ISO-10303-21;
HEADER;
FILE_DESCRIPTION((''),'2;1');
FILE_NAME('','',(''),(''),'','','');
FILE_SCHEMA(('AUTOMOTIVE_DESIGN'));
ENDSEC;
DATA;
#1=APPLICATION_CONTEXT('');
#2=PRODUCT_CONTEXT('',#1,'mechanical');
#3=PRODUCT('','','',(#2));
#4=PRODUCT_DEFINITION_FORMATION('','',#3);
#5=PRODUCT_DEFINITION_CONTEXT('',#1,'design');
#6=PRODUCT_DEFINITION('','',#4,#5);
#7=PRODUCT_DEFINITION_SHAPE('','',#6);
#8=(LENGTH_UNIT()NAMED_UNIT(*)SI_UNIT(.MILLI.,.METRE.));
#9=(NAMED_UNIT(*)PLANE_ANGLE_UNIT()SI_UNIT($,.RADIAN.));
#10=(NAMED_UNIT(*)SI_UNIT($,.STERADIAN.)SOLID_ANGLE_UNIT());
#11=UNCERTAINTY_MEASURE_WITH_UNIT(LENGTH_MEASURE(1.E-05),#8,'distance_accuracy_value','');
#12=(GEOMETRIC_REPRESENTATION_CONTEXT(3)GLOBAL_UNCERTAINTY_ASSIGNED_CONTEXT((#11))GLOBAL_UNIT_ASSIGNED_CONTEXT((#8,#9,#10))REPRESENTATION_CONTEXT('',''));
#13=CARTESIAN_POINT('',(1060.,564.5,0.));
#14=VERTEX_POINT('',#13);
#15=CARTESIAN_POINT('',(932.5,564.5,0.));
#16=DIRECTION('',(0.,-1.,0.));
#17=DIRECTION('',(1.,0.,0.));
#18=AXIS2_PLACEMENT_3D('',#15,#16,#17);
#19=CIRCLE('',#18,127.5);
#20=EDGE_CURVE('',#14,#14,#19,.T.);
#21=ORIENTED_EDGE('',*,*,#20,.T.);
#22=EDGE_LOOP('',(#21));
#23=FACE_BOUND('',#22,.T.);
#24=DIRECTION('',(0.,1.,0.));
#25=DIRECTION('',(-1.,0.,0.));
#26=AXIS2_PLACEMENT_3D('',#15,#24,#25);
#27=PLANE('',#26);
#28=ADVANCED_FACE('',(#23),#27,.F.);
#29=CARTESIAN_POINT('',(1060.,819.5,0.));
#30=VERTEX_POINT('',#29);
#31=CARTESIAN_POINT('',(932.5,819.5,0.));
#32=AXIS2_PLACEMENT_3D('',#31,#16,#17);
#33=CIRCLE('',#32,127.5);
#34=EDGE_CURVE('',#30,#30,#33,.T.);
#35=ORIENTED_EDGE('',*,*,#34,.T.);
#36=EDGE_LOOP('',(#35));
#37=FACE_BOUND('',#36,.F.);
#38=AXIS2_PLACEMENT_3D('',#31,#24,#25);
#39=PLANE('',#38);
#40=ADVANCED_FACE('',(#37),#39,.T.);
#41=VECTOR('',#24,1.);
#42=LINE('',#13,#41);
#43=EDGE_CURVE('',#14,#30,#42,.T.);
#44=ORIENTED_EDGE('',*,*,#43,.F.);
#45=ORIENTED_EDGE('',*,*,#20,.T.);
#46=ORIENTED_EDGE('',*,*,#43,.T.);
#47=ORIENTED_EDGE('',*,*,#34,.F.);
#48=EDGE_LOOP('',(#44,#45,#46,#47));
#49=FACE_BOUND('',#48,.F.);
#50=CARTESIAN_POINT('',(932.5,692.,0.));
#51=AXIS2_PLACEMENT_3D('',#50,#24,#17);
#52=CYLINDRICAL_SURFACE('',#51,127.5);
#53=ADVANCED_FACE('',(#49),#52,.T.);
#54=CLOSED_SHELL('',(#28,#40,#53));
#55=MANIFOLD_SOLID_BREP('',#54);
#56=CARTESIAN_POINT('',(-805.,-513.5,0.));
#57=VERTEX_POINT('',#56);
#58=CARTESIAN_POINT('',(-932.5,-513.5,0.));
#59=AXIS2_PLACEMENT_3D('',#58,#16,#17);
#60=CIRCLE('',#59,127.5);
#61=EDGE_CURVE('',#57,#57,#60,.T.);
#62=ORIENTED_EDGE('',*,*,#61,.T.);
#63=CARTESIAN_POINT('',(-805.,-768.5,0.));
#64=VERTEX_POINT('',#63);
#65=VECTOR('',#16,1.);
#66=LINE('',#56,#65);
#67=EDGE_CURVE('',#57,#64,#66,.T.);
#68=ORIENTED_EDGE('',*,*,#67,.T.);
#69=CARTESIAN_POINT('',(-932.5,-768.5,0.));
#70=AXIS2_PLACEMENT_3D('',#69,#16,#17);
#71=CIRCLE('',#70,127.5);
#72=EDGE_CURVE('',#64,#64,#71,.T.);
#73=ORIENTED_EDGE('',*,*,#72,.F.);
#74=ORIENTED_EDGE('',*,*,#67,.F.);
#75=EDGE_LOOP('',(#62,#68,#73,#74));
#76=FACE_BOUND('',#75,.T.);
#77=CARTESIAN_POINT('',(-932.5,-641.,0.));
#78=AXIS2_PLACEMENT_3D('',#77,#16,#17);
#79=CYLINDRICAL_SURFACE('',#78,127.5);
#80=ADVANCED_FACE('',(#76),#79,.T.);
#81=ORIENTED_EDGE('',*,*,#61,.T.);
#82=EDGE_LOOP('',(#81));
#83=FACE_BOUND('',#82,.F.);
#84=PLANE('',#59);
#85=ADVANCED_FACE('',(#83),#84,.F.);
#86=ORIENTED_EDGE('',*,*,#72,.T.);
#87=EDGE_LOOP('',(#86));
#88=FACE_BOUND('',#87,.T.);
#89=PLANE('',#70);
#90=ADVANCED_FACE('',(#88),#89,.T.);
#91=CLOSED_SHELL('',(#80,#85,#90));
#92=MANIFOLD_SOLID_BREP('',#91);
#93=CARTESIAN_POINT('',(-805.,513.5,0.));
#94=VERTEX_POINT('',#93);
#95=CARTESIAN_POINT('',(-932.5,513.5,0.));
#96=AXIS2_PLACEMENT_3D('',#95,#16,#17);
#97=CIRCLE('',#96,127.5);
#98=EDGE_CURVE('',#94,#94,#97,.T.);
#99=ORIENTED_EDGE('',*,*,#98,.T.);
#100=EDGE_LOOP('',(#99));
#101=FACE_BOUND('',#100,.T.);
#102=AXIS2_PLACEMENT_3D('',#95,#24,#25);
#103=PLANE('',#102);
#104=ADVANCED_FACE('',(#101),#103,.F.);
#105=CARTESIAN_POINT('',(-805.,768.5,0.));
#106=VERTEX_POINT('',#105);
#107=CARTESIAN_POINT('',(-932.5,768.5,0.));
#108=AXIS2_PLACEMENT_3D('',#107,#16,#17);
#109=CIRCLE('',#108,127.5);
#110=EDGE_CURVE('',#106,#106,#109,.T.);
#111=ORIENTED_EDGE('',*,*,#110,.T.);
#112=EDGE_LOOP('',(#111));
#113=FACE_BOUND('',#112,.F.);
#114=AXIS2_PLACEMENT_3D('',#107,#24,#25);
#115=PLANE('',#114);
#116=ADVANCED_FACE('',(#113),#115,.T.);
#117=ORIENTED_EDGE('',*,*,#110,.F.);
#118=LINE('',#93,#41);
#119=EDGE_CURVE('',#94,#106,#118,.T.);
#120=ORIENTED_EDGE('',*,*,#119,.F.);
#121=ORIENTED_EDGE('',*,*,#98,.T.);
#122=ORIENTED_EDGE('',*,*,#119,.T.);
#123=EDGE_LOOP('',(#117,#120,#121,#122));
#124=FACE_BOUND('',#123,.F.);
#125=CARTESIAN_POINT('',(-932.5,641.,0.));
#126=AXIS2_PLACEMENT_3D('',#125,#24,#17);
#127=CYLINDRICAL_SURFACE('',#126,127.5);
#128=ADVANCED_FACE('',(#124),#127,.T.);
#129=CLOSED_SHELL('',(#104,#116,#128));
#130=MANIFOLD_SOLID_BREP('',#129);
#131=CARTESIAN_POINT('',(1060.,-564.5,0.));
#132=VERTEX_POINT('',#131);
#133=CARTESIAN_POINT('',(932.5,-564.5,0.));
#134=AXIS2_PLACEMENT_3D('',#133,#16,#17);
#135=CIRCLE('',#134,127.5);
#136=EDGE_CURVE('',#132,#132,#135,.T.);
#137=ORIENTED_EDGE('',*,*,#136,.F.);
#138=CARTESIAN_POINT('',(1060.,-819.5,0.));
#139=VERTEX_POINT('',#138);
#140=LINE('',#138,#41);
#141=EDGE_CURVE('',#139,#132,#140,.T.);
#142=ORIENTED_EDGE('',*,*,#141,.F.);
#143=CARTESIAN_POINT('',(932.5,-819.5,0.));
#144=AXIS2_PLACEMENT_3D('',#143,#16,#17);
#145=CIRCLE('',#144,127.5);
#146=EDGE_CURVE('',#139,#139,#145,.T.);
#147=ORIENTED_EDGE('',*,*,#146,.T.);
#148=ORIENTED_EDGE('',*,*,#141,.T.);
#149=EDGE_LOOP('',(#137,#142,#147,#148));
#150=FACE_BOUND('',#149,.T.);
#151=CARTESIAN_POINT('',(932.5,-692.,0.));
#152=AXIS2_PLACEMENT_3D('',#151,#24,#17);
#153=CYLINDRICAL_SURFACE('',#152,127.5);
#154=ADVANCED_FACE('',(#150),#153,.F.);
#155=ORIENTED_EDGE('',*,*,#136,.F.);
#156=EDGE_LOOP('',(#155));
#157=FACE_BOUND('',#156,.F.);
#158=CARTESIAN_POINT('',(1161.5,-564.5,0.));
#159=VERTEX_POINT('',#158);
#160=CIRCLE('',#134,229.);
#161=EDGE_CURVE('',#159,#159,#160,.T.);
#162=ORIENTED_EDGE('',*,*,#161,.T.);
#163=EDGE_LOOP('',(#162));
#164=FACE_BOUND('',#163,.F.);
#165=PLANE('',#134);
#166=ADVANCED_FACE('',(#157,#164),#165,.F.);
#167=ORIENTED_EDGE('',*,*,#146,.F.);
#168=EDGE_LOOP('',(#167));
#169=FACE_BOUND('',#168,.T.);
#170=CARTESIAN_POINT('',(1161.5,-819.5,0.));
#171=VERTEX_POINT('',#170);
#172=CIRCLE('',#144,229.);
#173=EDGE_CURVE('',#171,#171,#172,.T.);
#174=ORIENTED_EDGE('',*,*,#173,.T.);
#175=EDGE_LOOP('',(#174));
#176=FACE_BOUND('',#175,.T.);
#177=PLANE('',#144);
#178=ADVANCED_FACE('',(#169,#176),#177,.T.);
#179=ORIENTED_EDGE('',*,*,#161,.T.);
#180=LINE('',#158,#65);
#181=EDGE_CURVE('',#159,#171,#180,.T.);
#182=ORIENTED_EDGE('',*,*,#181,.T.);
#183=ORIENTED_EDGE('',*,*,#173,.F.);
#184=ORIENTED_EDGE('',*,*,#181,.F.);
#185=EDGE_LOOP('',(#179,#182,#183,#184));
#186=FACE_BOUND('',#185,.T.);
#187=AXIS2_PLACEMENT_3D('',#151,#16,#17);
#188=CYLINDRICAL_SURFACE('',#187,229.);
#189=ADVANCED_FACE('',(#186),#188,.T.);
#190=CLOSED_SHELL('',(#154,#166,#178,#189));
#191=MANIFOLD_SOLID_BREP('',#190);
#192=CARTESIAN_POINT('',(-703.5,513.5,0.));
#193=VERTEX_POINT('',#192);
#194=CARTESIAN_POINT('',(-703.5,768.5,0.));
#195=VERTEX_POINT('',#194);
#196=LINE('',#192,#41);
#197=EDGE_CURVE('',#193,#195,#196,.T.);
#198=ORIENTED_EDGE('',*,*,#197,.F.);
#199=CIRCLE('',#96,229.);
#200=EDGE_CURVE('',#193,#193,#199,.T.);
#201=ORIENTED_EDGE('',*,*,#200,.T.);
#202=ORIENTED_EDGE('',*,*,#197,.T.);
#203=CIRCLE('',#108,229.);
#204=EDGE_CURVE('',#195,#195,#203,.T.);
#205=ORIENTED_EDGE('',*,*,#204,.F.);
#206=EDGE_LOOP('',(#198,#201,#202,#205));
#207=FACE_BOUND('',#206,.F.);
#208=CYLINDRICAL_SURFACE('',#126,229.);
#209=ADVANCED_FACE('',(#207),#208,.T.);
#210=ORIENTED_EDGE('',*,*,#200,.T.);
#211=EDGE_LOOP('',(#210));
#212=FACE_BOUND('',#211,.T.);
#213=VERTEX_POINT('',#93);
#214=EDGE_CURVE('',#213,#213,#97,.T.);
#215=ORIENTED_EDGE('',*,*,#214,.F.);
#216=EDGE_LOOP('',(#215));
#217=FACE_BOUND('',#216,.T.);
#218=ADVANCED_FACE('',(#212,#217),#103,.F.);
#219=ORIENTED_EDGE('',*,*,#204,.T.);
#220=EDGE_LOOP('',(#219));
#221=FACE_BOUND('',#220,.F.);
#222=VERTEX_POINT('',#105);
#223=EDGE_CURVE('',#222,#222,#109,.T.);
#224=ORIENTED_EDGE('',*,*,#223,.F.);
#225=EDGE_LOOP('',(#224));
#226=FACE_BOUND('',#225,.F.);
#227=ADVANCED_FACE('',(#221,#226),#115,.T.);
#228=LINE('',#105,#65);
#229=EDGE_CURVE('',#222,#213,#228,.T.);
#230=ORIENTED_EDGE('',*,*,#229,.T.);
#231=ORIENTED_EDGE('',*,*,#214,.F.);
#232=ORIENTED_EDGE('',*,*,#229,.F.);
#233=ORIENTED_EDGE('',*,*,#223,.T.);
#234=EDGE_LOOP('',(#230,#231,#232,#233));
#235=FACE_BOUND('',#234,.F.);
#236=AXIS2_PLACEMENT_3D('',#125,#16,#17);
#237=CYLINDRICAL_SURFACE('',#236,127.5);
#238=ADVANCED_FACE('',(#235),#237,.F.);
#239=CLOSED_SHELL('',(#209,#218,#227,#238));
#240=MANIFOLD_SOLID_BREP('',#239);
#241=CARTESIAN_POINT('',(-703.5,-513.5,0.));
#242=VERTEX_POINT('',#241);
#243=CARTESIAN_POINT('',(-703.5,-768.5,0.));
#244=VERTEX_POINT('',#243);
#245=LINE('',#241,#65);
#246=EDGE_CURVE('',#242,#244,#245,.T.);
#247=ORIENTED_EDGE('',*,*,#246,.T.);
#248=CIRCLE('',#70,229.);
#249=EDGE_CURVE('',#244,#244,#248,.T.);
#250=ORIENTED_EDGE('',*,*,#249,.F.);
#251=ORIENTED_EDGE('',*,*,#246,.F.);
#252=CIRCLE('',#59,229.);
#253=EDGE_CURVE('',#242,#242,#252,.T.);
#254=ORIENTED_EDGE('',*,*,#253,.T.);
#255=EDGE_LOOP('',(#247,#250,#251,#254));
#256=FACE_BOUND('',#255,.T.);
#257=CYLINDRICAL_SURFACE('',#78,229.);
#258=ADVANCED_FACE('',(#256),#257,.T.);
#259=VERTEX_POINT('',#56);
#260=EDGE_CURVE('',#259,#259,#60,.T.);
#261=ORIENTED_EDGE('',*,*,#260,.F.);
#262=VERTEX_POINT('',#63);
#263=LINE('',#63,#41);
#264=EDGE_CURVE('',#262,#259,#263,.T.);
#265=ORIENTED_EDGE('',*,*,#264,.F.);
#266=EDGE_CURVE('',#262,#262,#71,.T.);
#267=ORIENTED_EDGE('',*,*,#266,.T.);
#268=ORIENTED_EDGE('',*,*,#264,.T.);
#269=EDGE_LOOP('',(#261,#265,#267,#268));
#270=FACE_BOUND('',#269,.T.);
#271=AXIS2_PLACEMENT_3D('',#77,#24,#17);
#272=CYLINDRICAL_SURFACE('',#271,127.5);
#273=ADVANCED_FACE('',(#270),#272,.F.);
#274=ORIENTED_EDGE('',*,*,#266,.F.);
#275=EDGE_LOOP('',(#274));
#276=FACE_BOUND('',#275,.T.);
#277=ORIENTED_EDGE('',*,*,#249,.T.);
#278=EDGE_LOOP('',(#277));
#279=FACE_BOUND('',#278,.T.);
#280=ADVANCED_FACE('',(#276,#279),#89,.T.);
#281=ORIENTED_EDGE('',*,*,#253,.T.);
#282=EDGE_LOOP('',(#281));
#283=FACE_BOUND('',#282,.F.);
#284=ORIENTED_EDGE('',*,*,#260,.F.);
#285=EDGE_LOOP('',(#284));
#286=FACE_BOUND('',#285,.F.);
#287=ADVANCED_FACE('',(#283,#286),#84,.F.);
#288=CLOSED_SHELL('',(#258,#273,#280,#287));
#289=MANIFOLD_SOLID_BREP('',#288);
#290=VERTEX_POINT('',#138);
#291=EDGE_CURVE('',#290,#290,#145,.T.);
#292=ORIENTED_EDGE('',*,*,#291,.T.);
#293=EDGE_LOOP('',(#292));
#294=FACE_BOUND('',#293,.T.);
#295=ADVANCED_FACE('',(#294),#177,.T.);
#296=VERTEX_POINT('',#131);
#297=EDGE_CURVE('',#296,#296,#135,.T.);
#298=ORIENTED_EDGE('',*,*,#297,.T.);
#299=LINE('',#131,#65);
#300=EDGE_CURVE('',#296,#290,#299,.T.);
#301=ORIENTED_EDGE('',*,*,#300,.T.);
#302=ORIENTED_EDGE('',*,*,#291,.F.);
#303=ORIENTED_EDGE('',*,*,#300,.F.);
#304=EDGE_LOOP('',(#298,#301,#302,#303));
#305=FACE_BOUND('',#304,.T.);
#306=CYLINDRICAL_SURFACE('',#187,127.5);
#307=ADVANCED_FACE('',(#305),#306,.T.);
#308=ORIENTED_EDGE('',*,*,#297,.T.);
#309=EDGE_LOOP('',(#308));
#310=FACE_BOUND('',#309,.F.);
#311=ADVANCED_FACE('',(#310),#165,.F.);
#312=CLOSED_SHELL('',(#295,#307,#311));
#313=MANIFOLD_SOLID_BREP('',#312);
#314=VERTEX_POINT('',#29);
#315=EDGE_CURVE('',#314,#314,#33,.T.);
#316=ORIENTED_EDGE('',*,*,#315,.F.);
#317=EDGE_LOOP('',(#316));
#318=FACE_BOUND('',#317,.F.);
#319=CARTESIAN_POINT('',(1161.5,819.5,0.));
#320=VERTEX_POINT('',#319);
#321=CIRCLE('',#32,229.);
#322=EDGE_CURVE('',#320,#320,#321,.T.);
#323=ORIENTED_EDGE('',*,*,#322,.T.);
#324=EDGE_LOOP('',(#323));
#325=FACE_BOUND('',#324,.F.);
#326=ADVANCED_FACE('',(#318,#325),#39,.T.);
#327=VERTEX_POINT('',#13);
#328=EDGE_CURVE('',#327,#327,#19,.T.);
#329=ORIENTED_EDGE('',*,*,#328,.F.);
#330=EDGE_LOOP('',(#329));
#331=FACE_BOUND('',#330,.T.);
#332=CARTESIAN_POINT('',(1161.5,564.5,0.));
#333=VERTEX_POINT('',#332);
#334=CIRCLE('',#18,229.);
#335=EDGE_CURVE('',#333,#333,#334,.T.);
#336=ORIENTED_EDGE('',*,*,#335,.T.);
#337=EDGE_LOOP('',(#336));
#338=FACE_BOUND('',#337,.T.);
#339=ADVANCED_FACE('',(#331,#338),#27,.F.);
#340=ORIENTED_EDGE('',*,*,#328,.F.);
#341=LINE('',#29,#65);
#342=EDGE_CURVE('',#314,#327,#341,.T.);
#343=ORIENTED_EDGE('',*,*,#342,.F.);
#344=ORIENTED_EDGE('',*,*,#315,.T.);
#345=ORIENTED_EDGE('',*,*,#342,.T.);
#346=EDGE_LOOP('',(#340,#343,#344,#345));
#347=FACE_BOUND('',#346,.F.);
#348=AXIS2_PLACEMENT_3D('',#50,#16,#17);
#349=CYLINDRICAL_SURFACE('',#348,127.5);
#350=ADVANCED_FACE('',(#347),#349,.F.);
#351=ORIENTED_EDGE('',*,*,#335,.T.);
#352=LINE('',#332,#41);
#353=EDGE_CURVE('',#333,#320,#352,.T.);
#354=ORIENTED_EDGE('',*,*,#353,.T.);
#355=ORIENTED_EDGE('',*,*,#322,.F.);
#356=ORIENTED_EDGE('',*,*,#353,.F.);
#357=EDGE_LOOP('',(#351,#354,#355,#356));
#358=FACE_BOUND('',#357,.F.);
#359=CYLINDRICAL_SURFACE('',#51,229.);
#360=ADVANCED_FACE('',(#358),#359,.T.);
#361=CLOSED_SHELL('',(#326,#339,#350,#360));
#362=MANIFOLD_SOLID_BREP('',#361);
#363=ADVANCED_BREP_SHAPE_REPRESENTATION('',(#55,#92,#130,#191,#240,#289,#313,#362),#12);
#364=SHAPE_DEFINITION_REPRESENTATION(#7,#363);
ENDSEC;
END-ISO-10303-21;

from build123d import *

# Parameters (mm, degrees)
F2_R     = 127.5
F3_DEPTH = 127.5
F2_R_2   = 229
F4_DEPTH = 127.5
F7_R     = 229
F7_R_2   = 127.5
F8_DEPTH = 127.5
F9_DEPTH = 127.5


with BuildPart() as f3:
    # F2 (on offset) → F3 (new body, symmetric)
    with BuildSketch(Plane.XZ.offset(692)):
        with Locations((932.5, 0)):
            Circle(F2_R)
    extrude(amount=F3_DEPTH, both=True)


with BuildPart() as f4:
    # F2 (on offset) → F4 (new body, symmetric)
    with BuildSketch(Plane.XZ.offset(692)):
        with Locations((932.5, 0)):
            Circle(F2_R_2)
        with Locations((932.5, 0)):
            Circle(F2_R, mode=Mode.SUBTRACT)
    extrude(amount=F4_DEPTH, both=True)


with BuildPart() as f5_1:
    # F5: instance of F3
    add(f3.part.mirror(Plane.XZ))


with BuildPart() as f5_2:
    # F5: instance of F4
    add(f4.part.mirror(Plane.XZ))


with BuildPart() as f8:
    # F7 (on offset) → F8 (new body, symmetric)
    with BuildSketch(Plane.XZ.offset(641)):
        with Locations((-932.5, 0)):
            Circle(F7_R)
        with Locations((-932.5, 0)):
            Circle(F7_R_2, mode=Mode.SUBTRACT)
    extrude(amount=F8_DEPTH, both=True)


with BuildPart() as f9:
    # F7 (on offset) → F9 (new body, symmetric)
    with BuildSketch(Plane.XZ.offset(641)):
        with Locations((-932.5, 0)):
            Circle(F7_R_2)
    extrude(amount=F9_DEPTH, both=True)


with BuildPart() as f10_1:
    # F10: instance of F8
    add(f8.part.mirror(Plane.XZ))


with BuildPart() as f10_2:
    # F10: instance of F9
    add(f9.part.mirror(Plane.XZ))


solid = Compound([f3.part, f4.part, f5_1.part, f5_2.part, f8.part, f9.part, f10_1.part, f10_2.part])
